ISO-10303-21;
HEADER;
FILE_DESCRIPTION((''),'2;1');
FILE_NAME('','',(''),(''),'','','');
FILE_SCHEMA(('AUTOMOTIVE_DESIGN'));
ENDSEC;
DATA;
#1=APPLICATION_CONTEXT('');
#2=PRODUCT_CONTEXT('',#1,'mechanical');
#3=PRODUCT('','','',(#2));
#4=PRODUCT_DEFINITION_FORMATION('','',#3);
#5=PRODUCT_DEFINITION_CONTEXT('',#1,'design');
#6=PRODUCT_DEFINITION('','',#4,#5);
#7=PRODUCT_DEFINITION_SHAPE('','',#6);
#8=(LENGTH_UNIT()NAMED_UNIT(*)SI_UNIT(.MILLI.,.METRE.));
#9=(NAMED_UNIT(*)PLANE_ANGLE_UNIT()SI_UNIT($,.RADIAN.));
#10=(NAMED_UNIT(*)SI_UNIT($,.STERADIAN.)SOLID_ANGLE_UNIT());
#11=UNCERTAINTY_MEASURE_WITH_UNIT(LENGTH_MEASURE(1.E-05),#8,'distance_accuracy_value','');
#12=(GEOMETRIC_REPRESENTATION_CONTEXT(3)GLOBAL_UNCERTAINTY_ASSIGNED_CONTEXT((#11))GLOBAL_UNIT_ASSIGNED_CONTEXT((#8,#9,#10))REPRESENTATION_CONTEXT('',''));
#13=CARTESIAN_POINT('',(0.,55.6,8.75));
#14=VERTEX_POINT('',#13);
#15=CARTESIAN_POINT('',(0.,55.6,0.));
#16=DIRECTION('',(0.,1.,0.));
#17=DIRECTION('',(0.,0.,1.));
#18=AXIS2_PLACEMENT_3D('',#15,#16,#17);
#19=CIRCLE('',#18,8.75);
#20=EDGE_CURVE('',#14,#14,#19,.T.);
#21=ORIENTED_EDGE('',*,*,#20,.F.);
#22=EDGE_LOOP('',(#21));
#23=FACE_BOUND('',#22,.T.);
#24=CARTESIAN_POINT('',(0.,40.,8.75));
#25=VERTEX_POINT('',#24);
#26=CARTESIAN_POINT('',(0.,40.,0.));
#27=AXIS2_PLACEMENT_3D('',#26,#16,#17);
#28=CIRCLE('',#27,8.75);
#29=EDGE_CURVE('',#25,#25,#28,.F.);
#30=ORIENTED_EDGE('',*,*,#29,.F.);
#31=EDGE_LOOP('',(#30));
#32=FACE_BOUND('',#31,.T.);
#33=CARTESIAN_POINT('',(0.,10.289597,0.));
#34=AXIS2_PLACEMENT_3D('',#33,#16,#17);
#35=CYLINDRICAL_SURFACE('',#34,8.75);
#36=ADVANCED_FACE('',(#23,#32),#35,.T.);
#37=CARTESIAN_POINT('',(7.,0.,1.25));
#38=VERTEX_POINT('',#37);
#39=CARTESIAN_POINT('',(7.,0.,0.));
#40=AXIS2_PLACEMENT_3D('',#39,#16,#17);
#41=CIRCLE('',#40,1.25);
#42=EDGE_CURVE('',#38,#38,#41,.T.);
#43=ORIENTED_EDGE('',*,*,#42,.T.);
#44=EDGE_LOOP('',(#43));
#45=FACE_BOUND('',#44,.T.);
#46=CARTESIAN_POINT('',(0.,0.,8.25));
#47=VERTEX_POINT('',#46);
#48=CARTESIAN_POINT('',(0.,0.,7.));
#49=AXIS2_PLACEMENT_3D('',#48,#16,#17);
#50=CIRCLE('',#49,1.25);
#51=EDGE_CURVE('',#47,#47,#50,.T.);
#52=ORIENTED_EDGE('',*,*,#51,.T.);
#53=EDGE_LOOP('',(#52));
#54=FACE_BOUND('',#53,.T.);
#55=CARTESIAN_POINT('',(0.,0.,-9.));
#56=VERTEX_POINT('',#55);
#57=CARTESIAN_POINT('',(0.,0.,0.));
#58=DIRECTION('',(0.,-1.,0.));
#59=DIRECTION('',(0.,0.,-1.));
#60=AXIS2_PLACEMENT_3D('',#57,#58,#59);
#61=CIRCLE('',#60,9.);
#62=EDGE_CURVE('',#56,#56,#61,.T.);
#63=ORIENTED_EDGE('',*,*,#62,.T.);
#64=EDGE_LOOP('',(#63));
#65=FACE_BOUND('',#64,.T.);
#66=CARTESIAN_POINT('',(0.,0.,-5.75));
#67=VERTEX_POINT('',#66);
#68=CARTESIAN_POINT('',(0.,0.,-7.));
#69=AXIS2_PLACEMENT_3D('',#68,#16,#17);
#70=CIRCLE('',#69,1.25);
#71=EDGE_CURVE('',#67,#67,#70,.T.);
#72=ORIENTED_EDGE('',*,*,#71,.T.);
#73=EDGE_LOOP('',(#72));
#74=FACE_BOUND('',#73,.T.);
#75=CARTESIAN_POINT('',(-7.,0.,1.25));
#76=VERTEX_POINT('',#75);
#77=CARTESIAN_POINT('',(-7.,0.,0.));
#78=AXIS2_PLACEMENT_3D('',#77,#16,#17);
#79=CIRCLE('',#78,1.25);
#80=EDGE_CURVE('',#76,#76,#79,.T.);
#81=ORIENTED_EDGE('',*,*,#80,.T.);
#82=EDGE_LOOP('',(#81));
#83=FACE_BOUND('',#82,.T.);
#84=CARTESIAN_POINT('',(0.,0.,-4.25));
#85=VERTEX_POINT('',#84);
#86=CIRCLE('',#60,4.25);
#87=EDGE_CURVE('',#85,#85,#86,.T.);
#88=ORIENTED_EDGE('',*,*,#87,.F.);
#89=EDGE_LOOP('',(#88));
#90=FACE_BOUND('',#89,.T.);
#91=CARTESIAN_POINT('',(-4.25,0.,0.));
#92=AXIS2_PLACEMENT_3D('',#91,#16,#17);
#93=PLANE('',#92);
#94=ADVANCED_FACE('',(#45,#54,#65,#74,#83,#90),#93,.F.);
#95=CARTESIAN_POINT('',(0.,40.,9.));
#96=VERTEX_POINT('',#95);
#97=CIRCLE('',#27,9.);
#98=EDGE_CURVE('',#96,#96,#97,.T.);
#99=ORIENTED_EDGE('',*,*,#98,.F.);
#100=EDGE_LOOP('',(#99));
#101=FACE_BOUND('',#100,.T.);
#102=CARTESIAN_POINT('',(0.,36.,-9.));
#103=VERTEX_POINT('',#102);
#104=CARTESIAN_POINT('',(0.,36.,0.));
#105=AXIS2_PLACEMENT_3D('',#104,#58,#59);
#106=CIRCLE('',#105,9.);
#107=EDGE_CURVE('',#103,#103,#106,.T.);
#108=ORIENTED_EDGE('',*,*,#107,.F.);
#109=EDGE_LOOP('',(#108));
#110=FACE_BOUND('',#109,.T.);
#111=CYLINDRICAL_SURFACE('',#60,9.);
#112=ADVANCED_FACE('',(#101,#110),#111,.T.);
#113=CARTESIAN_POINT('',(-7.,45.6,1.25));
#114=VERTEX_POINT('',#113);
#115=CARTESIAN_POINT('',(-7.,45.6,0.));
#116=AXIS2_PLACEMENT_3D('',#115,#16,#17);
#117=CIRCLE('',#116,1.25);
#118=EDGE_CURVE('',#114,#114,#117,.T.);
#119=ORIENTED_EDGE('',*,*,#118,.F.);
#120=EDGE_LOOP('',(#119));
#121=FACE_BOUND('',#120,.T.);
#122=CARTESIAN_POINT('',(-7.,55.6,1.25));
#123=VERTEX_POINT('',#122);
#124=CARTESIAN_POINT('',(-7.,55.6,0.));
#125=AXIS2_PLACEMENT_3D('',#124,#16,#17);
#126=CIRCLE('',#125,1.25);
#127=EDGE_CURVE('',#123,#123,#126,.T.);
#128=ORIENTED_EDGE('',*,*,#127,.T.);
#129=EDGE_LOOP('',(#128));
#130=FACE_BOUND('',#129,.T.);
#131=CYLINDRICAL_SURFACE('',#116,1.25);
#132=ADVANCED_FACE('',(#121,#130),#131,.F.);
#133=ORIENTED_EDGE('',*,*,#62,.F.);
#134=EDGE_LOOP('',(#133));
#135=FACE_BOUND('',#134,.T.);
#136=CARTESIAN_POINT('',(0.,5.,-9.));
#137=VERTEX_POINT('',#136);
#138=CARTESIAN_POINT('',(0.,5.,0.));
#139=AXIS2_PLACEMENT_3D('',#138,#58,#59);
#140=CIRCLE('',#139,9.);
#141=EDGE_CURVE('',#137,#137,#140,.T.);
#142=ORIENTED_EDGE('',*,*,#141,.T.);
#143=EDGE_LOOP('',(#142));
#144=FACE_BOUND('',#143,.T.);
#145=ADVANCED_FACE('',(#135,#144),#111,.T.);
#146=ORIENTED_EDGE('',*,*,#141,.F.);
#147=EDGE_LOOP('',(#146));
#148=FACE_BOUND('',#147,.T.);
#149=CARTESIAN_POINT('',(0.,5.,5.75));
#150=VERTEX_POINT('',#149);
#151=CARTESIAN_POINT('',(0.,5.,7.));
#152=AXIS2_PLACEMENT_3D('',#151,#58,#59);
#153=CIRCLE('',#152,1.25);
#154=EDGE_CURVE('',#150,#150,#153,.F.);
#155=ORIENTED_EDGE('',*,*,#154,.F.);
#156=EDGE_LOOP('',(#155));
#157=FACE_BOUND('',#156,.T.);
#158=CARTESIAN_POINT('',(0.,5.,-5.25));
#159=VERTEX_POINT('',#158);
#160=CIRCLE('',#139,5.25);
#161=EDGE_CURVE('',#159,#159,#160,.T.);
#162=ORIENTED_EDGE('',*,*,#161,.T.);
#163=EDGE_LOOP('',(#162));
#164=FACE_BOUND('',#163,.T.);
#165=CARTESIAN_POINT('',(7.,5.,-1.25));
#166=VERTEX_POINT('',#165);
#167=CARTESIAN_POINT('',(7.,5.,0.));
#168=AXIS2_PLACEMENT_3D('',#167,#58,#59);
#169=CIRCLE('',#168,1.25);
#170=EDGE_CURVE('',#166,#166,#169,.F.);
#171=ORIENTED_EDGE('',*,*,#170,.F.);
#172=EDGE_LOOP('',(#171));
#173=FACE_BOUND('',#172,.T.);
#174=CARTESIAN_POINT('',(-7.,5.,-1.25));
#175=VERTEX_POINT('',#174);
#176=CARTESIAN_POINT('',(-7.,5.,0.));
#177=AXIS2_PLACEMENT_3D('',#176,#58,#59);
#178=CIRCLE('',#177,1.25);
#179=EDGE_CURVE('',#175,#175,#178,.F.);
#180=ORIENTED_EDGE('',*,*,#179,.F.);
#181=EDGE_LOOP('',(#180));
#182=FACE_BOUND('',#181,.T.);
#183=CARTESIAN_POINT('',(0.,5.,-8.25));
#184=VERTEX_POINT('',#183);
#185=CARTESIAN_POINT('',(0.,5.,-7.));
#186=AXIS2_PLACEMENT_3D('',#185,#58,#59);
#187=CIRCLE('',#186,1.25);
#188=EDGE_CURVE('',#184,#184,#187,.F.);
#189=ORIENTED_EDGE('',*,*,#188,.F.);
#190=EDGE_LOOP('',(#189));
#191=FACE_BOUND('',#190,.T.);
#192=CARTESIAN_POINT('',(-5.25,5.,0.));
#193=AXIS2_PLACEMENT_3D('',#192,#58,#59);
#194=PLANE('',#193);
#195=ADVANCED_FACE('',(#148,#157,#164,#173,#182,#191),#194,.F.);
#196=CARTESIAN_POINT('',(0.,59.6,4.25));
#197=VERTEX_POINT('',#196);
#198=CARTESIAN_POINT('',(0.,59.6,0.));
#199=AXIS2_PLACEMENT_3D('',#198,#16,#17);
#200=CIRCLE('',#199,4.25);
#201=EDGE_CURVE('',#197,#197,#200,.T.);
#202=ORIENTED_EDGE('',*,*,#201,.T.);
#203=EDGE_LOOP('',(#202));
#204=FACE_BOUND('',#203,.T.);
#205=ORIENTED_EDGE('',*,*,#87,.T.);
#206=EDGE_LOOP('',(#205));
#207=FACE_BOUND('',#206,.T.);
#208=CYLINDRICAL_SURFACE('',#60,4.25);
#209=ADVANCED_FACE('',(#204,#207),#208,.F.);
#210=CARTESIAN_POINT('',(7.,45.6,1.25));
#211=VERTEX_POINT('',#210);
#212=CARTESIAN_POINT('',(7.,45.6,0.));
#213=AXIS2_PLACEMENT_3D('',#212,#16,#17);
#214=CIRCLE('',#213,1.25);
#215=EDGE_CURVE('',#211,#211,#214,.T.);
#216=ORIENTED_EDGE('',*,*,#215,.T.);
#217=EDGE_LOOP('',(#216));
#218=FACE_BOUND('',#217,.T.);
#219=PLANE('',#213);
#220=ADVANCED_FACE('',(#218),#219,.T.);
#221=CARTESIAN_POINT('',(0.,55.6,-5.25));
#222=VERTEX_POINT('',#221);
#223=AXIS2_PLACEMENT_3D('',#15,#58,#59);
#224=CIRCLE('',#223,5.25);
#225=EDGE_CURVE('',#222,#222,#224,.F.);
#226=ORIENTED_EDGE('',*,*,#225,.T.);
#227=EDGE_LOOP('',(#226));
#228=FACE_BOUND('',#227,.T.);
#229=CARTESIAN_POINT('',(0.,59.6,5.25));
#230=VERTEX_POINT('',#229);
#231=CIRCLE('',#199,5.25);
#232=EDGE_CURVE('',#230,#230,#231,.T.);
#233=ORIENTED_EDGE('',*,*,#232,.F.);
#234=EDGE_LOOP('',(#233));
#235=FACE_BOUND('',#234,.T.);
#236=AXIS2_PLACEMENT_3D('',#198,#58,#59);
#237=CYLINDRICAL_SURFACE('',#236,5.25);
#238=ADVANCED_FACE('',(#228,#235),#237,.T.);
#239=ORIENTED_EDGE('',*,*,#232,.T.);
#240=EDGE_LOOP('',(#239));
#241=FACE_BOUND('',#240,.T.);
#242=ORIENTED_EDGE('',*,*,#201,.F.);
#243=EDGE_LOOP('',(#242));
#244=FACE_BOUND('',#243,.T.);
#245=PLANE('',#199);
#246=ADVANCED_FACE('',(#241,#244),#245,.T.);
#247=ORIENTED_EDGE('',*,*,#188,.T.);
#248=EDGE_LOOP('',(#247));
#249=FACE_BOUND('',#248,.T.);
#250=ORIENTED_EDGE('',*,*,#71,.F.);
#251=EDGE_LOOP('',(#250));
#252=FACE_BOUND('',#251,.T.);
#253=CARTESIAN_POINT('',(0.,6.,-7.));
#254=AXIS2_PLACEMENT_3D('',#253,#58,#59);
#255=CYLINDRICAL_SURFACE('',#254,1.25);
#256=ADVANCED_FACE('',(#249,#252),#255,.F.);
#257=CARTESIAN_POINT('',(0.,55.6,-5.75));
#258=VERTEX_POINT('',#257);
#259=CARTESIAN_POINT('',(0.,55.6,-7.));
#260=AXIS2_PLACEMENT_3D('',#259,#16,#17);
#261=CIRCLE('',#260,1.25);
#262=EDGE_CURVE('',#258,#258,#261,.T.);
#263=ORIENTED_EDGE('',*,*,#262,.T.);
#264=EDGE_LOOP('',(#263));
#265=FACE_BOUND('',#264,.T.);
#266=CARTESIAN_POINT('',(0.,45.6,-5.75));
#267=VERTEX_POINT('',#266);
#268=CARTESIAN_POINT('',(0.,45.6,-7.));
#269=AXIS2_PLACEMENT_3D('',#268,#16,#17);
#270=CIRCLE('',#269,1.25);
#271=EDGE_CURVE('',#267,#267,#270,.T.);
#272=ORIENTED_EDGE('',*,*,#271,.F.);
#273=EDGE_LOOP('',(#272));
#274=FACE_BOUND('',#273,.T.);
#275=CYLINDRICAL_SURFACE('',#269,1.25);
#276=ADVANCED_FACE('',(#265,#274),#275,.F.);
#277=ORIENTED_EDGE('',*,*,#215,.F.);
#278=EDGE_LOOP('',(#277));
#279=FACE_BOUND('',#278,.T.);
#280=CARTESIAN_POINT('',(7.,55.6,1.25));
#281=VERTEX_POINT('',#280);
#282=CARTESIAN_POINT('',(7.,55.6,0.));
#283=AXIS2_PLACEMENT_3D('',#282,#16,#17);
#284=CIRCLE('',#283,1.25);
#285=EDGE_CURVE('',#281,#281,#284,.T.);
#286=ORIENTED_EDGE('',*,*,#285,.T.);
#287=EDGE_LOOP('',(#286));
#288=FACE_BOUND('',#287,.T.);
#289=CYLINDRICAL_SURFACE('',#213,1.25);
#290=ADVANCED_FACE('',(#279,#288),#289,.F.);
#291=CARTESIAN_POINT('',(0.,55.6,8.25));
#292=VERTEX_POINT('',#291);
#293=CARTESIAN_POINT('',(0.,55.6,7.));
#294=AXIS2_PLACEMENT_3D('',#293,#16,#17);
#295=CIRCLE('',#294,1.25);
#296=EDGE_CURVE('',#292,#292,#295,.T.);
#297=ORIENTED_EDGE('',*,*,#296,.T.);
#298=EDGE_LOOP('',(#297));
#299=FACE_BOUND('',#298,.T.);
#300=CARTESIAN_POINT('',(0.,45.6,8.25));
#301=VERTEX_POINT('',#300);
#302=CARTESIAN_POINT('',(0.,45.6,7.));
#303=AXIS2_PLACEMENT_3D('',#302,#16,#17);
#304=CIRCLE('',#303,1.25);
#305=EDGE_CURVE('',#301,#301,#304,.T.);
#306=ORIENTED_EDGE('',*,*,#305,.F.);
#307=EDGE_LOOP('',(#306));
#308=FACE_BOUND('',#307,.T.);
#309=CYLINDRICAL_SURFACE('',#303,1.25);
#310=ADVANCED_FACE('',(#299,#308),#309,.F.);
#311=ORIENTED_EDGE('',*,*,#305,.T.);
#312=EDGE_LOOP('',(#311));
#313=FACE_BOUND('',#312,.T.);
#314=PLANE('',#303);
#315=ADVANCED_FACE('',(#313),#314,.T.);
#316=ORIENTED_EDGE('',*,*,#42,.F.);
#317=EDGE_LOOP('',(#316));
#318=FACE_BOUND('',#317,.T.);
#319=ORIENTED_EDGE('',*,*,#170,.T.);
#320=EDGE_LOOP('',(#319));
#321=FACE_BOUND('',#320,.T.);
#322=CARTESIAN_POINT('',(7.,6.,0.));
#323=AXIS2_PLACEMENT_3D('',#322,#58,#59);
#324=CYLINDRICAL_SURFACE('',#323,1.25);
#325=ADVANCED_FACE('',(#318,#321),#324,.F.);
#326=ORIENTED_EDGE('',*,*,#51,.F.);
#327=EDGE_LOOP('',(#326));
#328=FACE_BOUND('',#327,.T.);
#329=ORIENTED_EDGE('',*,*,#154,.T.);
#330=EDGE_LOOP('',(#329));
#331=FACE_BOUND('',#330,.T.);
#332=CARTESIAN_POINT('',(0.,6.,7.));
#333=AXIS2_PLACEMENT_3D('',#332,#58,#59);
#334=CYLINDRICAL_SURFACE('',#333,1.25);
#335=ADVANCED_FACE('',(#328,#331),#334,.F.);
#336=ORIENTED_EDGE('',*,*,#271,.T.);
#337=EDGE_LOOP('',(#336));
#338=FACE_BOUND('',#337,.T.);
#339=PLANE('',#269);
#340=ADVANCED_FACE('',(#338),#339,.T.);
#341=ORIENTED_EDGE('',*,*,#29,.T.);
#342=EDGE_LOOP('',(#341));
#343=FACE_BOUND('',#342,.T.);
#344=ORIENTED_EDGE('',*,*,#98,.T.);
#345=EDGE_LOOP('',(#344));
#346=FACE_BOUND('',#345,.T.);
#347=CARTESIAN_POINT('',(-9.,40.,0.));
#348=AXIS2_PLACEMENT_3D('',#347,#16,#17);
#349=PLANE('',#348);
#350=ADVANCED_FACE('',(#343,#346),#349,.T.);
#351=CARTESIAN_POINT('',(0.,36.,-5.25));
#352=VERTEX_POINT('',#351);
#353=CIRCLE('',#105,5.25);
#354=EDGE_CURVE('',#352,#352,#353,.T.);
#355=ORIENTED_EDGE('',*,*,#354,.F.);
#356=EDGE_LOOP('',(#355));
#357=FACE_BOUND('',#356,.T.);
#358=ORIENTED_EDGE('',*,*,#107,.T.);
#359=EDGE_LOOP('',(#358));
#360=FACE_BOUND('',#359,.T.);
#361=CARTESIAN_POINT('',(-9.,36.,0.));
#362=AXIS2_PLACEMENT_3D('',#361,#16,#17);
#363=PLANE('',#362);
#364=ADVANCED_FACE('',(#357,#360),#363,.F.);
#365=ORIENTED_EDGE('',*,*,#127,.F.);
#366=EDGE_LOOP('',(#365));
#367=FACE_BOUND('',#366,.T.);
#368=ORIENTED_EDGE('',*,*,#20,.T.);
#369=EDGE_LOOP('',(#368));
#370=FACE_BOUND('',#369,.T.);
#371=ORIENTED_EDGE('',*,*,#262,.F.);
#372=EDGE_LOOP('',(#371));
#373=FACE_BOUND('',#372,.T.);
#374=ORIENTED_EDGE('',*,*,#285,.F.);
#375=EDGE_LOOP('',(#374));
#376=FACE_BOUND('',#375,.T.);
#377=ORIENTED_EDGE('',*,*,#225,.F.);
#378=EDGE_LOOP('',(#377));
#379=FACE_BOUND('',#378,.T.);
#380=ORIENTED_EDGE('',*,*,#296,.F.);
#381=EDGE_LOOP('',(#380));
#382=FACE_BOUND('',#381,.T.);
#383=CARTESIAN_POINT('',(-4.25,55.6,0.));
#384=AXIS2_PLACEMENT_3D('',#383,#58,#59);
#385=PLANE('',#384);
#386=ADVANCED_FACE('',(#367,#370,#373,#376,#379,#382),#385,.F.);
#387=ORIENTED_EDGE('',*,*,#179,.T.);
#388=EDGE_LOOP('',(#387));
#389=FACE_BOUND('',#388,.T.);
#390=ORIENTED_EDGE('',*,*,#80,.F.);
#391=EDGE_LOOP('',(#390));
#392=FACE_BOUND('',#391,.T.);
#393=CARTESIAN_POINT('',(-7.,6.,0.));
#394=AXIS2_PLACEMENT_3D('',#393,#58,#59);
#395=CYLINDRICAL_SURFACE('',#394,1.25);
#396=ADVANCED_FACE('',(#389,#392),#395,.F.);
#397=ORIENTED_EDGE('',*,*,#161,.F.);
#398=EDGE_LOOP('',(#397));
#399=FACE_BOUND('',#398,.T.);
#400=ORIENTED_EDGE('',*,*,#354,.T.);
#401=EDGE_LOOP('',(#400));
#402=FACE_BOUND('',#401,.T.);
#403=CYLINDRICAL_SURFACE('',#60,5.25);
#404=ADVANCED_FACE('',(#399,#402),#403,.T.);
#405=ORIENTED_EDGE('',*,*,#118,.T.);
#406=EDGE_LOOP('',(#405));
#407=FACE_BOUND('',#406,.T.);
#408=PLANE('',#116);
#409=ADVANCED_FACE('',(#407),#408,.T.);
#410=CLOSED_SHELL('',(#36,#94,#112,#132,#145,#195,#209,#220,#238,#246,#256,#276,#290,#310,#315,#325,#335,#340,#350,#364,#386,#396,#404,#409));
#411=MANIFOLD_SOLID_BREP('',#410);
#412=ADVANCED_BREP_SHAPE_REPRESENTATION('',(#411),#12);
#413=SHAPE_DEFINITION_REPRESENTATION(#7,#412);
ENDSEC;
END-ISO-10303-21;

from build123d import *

# Parameters (mm, degrees)
SKETCH_2_R          = 1.25
CUT_EXTRUDE_1_DEPTH = 10
CUT_EXTRUDE_START   = -49.6
SKETCH_2_2_R        = 1.25
CUT_EXTRUDE_2_DEPTH = 6
SKETCH_3_OUTSIDE_W  = 32.23
SKETCH_3_OUTSIDE_H  = 32.23
SKETCH_3_OUTSIDE_R  = 8.75
CUT_EXTRUDE_3_DEPTH = 15.6
SKETCH_4_R          = 5.25
SKETCH_4_R_2        = 4.25
EXTRUDE_1_DEPTH     = 4


with BuildPart() as part:
    # 草图1 → 旋转1 (revolve)
    with BuildSketch(Plane.XY, mode=Mode.PRIVATE) as revolve_1_sk:
        Polygon((-9, 36), (-5.25, 36), (-5.25, 5), (-9, 5), (-9, 0), (-4.25, 0), (-4.25, 55.6), (-9, 55.6), align=None)
    revolve(revolve_1_sk.sketch.rotate(Axis((0, 0, 0), (0, 1, 0)), 270), axis=Axis((0, 0, 0), (0, 1, 0)))

    # 草图2 → 切除-拉伸1 (cut)
    with BuildSketch(Plane(origin=(0, 55.6, 0), x_dir=(1, 0, 0), z_dir=(0, 1, 0))):
        with Locations(Location((0, 7, 0), (0, 0, 270))):
            Circle(SKETCH_2_R)
        with Locations(Location((0, -7, 0), (0, 0, 270))):
            Circle(SKETCH_2_R)
        with Locations(Location((-7, 0, 0), (0, 0, 270))):
            Circle(SKETCH_2_R)
        with Locations(Location((7, 0, 0), (0, 0, 270))):
            Circle(SKETCH_2_R)
    extrude(amount=-CUT_EXTRUDE_1_DEPTH, mode=Mode.SUBTRACT)

    # 草图2<2> → 切除-拉伸2 (cut)
    with BuildSketch(Plane(origin=(0, 55.6, 0), x_dir=(1, 0, 0), z_dir=(0, 1, 0)).offset(CUT_EXTRUDE_START)):
        with Locations(Location((0, 7, 0), (0, 0, 270))):
            Circle(SKETCH_2_2_R)
        with Locations(Location((0, -7, 0), (0, 0, 270))):
            Circle(SKETCH_2_2_R)
        with Locations(Location((-7, 0, 0), (0, 0, 270))):
            Circle(SKETCH_2_2_R)
        with Locations(Location((7, 0, 0), (0, 0, 270))):
            Circle(SKETCH_2_2_R)
    extrude(amount=-CUT_EXTRUDE_2_DEPTH, mode=Mode.SUBTRACT)

    # 草图3 outside → 切除-拉伸3 (cut)
    with BuildSketch(Plane(origin=(0, 55.6, 0), x_dir=(1, 0, 0), z_dir=(0, 1, 0))):
        Rectangle(SKETCH_3_OUTSIDE_W, SKETCH_3_OUTSIDE_H)
        with Locations(Location((0, 0, 0), (0, 0, 270))):
            Circle(SKETCH_3_OUTSIDE_R, mode=Mode.SUBTRACT)
    extrude(amount=-CUT_EXTRUDE_3_DEPTH, mode=Mode.SUBTRACT)

    # 草图4 → 凸台-拉伸1 (add)
    with BuildSketch(Plane(origin=(0, 55.6, 0), x_dir=(1, 0, 0), z_dir=(0, 1, 0))):
        with Locations(Location((0, 0, 0), (0, 0, 90))):
            Circle(SKETCH_4_R)
        with Locations(Location((0, 0, 0), (0, 0, 90))):
            Circle(SKETCH_4_R_2, mode=Mode.SUBTRACT)
    extrude(amount=EXTRUDE_1_DEPTH)


solid = part.part
